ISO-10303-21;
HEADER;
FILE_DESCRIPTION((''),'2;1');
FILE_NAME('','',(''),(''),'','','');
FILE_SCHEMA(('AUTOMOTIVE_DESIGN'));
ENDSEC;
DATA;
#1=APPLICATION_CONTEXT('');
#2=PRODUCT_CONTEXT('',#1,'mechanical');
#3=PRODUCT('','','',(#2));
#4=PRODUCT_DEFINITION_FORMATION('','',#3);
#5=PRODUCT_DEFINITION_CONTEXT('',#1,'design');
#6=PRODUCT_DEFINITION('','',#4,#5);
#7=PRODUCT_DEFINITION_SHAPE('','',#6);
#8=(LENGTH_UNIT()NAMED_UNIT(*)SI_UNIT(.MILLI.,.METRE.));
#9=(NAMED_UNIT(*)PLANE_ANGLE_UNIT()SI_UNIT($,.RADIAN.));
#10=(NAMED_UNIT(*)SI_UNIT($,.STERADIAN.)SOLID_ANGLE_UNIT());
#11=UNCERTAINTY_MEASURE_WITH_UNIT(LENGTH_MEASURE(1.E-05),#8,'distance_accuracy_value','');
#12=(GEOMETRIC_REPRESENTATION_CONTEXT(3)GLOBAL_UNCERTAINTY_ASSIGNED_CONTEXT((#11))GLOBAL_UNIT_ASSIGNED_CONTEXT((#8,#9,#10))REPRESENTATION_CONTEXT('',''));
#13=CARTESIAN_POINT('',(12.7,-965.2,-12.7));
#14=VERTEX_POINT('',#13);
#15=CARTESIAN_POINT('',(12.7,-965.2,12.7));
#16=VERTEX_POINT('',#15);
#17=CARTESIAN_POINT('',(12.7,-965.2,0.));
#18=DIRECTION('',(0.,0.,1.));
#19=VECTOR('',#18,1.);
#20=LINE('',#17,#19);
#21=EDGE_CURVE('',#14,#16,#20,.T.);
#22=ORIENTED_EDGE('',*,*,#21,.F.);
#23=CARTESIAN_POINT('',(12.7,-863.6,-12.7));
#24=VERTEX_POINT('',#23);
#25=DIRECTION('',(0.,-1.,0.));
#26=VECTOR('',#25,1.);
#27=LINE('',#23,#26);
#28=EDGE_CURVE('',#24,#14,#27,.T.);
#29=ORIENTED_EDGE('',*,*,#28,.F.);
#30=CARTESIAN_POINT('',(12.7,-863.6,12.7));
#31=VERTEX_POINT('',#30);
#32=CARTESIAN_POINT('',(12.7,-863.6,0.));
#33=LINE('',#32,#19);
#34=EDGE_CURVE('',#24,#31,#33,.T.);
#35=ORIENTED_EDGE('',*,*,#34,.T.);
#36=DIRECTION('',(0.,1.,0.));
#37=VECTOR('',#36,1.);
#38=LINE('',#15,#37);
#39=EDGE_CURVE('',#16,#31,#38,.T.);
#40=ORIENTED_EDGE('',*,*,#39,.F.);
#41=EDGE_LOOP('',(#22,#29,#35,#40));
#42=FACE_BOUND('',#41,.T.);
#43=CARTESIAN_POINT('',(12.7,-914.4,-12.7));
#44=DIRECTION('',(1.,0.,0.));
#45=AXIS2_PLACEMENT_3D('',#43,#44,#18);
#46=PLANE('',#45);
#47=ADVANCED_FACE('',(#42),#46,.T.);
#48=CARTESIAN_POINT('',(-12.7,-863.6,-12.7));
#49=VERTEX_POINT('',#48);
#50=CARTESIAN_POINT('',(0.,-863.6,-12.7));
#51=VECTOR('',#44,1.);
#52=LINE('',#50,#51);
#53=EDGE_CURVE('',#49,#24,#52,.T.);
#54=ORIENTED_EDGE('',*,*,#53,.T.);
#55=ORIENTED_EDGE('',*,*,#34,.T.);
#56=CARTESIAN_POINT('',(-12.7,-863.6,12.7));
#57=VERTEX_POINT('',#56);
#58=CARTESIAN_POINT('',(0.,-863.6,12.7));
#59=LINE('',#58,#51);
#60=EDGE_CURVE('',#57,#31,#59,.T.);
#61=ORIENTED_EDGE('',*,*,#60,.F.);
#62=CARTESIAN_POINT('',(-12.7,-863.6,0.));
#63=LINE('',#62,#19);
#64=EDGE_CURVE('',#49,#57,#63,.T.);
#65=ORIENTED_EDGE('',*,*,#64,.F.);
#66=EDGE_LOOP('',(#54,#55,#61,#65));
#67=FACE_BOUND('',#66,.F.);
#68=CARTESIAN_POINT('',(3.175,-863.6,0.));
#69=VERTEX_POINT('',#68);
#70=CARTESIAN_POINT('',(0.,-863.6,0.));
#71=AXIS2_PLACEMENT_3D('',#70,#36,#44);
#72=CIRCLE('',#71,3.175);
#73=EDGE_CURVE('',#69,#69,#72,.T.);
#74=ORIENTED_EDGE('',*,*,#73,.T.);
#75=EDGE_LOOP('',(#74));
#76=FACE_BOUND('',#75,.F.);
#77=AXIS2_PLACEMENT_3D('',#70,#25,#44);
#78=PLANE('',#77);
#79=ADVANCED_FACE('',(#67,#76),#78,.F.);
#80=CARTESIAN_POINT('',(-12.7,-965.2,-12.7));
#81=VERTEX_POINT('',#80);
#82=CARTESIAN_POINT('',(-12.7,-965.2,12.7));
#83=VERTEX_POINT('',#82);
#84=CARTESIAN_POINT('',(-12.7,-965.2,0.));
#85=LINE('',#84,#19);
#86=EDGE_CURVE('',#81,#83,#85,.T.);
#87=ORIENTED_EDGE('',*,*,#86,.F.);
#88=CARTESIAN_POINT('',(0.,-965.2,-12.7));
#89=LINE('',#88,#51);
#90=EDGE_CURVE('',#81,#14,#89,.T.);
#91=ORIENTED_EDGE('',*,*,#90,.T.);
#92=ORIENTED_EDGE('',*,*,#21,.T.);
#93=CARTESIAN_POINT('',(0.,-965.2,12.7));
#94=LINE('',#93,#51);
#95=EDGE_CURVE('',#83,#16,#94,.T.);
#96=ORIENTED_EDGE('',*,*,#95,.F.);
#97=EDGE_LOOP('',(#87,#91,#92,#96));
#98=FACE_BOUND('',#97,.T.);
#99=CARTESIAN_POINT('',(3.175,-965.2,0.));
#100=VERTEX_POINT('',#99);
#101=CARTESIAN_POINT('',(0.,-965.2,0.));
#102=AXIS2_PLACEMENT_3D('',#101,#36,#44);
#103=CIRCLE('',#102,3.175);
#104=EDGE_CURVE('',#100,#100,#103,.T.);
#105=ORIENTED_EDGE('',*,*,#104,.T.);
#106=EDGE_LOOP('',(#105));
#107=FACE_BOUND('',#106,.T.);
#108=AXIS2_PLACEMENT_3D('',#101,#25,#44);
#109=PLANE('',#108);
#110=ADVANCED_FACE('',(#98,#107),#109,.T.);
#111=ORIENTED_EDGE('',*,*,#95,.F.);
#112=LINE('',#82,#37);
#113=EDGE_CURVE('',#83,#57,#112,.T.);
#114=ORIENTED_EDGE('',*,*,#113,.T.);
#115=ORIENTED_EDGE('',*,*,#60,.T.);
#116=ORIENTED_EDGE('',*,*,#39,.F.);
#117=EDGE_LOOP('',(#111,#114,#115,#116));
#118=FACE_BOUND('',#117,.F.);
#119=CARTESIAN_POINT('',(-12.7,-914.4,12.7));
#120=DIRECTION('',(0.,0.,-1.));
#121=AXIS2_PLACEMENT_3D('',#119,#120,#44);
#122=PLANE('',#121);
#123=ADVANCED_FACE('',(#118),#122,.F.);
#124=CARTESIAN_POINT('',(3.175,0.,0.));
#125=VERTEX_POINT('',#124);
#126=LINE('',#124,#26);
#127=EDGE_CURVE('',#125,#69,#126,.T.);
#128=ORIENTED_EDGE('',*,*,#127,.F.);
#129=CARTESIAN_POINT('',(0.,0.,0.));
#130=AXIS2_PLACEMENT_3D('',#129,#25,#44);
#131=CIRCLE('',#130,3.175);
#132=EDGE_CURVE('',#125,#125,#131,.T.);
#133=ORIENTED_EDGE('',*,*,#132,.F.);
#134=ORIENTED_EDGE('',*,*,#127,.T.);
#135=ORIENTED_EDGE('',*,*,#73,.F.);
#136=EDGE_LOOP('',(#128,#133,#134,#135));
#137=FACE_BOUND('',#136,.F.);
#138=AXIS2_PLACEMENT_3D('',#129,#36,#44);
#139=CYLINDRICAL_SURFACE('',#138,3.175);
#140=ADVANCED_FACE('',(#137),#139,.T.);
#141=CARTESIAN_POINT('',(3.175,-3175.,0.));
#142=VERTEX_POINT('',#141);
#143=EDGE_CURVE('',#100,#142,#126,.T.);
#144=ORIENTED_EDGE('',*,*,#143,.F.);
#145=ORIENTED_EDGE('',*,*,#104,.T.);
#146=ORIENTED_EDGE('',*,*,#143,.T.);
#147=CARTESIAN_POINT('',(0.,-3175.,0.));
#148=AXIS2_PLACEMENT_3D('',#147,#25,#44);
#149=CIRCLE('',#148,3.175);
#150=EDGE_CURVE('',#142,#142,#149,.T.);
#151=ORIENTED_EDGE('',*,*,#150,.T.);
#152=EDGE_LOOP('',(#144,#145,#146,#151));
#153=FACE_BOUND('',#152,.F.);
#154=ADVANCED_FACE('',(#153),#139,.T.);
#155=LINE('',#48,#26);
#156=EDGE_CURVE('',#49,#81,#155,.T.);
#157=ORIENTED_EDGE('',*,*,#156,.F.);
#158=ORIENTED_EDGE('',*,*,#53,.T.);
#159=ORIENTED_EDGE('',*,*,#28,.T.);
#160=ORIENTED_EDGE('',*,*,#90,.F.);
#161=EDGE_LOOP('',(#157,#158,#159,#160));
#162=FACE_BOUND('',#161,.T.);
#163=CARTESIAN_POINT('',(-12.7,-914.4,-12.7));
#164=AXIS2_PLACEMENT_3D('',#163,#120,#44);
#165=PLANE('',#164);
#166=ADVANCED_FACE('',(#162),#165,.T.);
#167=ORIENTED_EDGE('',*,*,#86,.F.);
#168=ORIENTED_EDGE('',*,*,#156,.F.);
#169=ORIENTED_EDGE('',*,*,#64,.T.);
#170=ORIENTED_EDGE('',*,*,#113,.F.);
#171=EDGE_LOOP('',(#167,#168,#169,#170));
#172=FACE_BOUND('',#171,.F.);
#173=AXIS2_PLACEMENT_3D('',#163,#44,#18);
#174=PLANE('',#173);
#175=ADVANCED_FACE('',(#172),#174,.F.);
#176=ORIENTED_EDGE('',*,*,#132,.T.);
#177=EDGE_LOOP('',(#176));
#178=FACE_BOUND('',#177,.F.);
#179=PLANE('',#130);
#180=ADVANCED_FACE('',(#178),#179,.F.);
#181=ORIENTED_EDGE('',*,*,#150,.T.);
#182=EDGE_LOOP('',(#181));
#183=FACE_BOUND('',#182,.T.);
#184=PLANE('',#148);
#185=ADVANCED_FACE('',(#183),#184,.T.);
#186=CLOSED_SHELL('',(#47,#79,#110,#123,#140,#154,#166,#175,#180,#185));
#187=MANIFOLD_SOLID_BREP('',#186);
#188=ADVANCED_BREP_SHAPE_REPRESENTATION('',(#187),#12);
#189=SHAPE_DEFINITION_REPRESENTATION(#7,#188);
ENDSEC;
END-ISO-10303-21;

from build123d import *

# Parameters (mm, degrees)
F0_R          = 3.175
F1_DEPTH      = 3175
F3_W          = 25.4
F3_H          = 25.4
F4_DEPTH      = 50.8
F4_DEPTH_BACK = 50.8


with BuildPart() as f1:
    # F0 (on Front) → F1 (new body)
    with BuildSketch(Plane.XZ):
        Circle(F0_R)
    extrude(amount=F1_DEPTH)

    # F3 (on offset) → F4 (join, two sides)
    with BuildSketch(Plane.XZ.offset(914.4)) as f4_sk:
        Rectangle(F3_W, F3_H)
    extrude(amount=F4_DEPTH)
    extrude(f4_sk.sketch, amount=-F4_DEPTH_BACK)


solid = f1.part
